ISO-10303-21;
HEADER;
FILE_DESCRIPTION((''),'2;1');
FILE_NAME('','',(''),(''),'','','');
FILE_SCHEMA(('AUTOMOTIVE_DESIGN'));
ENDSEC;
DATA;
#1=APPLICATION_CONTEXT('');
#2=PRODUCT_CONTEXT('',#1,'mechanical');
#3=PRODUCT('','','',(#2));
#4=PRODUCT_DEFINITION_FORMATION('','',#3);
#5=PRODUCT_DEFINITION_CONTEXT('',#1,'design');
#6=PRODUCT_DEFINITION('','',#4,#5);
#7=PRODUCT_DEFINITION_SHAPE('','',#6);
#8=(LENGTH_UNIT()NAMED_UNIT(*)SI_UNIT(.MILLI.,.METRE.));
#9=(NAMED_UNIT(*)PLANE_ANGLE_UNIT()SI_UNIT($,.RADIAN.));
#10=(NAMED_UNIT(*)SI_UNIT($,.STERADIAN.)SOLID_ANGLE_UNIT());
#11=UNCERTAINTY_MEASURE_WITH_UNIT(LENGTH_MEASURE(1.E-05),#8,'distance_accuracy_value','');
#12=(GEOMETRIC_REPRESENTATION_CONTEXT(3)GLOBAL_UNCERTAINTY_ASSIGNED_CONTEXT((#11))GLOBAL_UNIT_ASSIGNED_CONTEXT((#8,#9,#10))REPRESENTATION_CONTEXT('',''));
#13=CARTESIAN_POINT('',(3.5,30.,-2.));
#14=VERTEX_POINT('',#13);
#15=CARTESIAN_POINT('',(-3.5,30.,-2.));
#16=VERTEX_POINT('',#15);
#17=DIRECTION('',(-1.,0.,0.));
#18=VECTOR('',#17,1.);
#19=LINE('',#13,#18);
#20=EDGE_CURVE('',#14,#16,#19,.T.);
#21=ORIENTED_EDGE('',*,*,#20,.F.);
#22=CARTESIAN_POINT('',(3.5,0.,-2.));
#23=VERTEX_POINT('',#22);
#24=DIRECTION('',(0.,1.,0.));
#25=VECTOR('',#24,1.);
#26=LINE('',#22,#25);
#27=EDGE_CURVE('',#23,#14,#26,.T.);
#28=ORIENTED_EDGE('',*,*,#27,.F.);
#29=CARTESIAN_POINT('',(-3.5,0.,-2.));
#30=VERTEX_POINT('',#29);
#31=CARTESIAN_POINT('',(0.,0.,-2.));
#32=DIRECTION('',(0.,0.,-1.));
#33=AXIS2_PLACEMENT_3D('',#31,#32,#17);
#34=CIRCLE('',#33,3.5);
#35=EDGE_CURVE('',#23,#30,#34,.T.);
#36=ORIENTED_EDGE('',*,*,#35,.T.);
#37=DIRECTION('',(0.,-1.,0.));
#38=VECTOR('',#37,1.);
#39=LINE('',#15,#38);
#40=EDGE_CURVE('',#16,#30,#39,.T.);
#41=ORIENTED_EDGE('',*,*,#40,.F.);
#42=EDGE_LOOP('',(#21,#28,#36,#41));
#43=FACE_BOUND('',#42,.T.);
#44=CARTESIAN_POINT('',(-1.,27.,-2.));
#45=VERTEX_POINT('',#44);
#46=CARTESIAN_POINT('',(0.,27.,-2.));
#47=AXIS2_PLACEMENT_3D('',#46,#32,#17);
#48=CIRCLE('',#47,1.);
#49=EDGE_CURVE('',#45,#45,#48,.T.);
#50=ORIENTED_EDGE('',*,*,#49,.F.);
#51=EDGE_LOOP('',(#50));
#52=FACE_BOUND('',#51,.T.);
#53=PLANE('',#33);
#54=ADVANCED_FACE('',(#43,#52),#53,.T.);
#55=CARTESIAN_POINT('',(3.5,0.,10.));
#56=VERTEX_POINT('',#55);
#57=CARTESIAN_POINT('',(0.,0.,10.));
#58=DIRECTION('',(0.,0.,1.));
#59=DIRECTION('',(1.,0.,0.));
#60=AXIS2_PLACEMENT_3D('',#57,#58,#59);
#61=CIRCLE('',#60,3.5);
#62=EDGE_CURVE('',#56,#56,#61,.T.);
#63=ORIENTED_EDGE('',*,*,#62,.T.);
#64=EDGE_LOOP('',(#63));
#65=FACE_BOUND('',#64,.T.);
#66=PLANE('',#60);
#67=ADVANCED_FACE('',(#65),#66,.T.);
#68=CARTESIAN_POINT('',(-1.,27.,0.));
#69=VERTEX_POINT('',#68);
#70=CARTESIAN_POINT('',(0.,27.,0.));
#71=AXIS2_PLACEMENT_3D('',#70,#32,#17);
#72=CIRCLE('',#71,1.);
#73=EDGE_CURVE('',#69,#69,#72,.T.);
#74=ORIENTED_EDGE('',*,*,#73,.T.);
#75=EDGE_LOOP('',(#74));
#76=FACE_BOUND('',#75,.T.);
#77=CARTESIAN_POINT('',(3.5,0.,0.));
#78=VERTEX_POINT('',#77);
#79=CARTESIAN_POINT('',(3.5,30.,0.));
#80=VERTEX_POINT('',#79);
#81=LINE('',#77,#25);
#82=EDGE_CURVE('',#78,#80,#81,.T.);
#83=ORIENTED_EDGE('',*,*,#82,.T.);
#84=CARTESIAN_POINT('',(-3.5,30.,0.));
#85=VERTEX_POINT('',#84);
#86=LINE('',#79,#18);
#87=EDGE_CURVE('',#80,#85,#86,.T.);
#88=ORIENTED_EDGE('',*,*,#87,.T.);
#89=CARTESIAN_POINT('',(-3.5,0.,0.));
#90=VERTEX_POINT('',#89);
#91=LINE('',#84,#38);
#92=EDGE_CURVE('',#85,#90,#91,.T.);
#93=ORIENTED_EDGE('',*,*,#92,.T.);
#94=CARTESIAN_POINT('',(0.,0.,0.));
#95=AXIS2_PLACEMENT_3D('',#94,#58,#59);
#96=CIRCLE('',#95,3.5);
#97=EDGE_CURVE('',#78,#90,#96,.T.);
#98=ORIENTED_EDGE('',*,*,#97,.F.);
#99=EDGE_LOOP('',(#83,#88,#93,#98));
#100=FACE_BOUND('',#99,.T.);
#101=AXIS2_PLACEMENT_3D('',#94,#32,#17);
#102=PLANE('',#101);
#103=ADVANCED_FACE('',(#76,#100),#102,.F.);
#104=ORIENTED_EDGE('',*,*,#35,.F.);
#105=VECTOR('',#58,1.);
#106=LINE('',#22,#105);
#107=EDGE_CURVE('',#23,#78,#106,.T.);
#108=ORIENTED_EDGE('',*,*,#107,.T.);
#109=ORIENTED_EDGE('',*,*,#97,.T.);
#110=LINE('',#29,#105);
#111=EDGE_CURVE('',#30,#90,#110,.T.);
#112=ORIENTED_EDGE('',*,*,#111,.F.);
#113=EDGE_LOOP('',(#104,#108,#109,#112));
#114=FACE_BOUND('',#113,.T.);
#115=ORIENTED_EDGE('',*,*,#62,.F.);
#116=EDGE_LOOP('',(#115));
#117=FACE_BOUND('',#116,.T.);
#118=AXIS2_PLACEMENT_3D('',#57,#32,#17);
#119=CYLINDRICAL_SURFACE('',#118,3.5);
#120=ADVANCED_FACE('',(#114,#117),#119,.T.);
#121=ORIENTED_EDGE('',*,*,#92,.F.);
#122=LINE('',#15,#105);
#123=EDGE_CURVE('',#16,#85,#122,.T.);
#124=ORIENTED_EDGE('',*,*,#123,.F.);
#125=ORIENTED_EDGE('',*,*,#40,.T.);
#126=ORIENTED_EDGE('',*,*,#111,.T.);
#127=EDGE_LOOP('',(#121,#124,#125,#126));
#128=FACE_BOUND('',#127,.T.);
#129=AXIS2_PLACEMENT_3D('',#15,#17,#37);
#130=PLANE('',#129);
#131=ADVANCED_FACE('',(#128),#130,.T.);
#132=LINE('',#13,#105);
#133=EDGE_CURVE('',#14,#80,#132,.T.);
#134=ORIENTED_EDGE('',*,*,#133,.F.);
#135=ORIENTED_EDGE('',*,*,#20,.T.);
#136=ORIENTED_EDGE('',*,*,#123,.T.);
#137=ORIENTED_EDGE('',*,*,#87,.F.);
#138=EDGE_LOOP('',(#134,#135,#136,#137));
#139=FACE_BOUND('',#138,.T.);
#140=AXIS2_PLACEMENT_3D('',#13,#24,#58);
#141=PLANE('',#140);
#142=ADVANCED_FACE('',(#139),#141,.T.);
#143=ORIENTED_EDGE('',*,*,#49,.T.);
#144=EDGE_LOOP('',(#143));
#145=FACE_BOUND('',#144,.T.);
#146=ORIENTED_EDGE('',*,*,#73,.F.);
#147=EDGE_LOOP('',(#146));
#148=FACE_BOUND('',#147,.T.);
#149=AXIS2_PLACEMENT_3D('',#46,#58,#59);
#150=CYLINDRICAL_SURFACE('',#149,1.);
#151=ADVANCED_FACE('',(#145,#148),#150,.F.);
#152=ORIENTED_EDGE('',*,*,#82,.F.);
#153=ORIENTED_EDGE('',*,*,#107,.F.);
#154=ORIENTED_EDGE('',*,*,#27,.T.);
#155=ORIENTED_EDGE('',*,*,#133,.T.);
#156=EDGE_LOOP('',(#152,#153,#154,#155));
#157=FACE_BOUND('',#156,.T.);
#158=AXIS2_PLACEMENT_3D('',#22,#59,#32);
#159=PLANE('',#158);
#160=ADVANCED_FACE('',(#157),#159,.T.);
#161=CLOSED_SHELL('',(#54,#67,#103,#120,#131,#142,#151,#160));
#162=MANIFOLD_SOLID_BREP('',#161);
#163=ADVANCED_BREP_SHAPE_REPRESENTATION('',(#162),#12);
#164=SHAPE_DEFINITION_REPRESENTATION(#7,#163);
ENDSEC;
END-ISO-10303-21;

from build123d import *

# Parameters (mm, degrees)
SKETCH1_R           = 3.5
BOSS_EXTRUDE1_DEPTH = 10
BOSS_EXTRUDE2_START = 2
SKETCH2_R           = 1
BOSS_EXTRUDE2_DEPTH = 2


with BuildPart() as part:
    # Sketch1 → Boss-Extrude1 (new body)
    with BuildSketch(Plane.XY):
        Circle(SKETCH1_R)
    extrude(amount=BOSS_EXTRUDE1_DEPTH)

    # Sketch2 → Boss-Extrude2 (add)
    with BuildSketch(Plane(origin=(0, 0, 0), x_dir=(-1, 0, 0), z_dir=(0, 0, -1)).offset(BOSS_EXTRUDE2_START)):
        with BuildLine():
            Line((-3.5, 0), (-3.5, 30))
            Line((-3.5, 30), (3.5, 30))
            Line((3.5, 30), (3.5, 0))
            ThreePointArc((3.5, 0), (0, -3.5), (-3.5, 0))
        make_face()
        with Locations((0, 27)):
            Circle(SKETCH2_R, mode=Mode.SUBTRACT)
    extrude(amount=-BOSS_EXTRUDE2_DEPTH)


solid = part.part
